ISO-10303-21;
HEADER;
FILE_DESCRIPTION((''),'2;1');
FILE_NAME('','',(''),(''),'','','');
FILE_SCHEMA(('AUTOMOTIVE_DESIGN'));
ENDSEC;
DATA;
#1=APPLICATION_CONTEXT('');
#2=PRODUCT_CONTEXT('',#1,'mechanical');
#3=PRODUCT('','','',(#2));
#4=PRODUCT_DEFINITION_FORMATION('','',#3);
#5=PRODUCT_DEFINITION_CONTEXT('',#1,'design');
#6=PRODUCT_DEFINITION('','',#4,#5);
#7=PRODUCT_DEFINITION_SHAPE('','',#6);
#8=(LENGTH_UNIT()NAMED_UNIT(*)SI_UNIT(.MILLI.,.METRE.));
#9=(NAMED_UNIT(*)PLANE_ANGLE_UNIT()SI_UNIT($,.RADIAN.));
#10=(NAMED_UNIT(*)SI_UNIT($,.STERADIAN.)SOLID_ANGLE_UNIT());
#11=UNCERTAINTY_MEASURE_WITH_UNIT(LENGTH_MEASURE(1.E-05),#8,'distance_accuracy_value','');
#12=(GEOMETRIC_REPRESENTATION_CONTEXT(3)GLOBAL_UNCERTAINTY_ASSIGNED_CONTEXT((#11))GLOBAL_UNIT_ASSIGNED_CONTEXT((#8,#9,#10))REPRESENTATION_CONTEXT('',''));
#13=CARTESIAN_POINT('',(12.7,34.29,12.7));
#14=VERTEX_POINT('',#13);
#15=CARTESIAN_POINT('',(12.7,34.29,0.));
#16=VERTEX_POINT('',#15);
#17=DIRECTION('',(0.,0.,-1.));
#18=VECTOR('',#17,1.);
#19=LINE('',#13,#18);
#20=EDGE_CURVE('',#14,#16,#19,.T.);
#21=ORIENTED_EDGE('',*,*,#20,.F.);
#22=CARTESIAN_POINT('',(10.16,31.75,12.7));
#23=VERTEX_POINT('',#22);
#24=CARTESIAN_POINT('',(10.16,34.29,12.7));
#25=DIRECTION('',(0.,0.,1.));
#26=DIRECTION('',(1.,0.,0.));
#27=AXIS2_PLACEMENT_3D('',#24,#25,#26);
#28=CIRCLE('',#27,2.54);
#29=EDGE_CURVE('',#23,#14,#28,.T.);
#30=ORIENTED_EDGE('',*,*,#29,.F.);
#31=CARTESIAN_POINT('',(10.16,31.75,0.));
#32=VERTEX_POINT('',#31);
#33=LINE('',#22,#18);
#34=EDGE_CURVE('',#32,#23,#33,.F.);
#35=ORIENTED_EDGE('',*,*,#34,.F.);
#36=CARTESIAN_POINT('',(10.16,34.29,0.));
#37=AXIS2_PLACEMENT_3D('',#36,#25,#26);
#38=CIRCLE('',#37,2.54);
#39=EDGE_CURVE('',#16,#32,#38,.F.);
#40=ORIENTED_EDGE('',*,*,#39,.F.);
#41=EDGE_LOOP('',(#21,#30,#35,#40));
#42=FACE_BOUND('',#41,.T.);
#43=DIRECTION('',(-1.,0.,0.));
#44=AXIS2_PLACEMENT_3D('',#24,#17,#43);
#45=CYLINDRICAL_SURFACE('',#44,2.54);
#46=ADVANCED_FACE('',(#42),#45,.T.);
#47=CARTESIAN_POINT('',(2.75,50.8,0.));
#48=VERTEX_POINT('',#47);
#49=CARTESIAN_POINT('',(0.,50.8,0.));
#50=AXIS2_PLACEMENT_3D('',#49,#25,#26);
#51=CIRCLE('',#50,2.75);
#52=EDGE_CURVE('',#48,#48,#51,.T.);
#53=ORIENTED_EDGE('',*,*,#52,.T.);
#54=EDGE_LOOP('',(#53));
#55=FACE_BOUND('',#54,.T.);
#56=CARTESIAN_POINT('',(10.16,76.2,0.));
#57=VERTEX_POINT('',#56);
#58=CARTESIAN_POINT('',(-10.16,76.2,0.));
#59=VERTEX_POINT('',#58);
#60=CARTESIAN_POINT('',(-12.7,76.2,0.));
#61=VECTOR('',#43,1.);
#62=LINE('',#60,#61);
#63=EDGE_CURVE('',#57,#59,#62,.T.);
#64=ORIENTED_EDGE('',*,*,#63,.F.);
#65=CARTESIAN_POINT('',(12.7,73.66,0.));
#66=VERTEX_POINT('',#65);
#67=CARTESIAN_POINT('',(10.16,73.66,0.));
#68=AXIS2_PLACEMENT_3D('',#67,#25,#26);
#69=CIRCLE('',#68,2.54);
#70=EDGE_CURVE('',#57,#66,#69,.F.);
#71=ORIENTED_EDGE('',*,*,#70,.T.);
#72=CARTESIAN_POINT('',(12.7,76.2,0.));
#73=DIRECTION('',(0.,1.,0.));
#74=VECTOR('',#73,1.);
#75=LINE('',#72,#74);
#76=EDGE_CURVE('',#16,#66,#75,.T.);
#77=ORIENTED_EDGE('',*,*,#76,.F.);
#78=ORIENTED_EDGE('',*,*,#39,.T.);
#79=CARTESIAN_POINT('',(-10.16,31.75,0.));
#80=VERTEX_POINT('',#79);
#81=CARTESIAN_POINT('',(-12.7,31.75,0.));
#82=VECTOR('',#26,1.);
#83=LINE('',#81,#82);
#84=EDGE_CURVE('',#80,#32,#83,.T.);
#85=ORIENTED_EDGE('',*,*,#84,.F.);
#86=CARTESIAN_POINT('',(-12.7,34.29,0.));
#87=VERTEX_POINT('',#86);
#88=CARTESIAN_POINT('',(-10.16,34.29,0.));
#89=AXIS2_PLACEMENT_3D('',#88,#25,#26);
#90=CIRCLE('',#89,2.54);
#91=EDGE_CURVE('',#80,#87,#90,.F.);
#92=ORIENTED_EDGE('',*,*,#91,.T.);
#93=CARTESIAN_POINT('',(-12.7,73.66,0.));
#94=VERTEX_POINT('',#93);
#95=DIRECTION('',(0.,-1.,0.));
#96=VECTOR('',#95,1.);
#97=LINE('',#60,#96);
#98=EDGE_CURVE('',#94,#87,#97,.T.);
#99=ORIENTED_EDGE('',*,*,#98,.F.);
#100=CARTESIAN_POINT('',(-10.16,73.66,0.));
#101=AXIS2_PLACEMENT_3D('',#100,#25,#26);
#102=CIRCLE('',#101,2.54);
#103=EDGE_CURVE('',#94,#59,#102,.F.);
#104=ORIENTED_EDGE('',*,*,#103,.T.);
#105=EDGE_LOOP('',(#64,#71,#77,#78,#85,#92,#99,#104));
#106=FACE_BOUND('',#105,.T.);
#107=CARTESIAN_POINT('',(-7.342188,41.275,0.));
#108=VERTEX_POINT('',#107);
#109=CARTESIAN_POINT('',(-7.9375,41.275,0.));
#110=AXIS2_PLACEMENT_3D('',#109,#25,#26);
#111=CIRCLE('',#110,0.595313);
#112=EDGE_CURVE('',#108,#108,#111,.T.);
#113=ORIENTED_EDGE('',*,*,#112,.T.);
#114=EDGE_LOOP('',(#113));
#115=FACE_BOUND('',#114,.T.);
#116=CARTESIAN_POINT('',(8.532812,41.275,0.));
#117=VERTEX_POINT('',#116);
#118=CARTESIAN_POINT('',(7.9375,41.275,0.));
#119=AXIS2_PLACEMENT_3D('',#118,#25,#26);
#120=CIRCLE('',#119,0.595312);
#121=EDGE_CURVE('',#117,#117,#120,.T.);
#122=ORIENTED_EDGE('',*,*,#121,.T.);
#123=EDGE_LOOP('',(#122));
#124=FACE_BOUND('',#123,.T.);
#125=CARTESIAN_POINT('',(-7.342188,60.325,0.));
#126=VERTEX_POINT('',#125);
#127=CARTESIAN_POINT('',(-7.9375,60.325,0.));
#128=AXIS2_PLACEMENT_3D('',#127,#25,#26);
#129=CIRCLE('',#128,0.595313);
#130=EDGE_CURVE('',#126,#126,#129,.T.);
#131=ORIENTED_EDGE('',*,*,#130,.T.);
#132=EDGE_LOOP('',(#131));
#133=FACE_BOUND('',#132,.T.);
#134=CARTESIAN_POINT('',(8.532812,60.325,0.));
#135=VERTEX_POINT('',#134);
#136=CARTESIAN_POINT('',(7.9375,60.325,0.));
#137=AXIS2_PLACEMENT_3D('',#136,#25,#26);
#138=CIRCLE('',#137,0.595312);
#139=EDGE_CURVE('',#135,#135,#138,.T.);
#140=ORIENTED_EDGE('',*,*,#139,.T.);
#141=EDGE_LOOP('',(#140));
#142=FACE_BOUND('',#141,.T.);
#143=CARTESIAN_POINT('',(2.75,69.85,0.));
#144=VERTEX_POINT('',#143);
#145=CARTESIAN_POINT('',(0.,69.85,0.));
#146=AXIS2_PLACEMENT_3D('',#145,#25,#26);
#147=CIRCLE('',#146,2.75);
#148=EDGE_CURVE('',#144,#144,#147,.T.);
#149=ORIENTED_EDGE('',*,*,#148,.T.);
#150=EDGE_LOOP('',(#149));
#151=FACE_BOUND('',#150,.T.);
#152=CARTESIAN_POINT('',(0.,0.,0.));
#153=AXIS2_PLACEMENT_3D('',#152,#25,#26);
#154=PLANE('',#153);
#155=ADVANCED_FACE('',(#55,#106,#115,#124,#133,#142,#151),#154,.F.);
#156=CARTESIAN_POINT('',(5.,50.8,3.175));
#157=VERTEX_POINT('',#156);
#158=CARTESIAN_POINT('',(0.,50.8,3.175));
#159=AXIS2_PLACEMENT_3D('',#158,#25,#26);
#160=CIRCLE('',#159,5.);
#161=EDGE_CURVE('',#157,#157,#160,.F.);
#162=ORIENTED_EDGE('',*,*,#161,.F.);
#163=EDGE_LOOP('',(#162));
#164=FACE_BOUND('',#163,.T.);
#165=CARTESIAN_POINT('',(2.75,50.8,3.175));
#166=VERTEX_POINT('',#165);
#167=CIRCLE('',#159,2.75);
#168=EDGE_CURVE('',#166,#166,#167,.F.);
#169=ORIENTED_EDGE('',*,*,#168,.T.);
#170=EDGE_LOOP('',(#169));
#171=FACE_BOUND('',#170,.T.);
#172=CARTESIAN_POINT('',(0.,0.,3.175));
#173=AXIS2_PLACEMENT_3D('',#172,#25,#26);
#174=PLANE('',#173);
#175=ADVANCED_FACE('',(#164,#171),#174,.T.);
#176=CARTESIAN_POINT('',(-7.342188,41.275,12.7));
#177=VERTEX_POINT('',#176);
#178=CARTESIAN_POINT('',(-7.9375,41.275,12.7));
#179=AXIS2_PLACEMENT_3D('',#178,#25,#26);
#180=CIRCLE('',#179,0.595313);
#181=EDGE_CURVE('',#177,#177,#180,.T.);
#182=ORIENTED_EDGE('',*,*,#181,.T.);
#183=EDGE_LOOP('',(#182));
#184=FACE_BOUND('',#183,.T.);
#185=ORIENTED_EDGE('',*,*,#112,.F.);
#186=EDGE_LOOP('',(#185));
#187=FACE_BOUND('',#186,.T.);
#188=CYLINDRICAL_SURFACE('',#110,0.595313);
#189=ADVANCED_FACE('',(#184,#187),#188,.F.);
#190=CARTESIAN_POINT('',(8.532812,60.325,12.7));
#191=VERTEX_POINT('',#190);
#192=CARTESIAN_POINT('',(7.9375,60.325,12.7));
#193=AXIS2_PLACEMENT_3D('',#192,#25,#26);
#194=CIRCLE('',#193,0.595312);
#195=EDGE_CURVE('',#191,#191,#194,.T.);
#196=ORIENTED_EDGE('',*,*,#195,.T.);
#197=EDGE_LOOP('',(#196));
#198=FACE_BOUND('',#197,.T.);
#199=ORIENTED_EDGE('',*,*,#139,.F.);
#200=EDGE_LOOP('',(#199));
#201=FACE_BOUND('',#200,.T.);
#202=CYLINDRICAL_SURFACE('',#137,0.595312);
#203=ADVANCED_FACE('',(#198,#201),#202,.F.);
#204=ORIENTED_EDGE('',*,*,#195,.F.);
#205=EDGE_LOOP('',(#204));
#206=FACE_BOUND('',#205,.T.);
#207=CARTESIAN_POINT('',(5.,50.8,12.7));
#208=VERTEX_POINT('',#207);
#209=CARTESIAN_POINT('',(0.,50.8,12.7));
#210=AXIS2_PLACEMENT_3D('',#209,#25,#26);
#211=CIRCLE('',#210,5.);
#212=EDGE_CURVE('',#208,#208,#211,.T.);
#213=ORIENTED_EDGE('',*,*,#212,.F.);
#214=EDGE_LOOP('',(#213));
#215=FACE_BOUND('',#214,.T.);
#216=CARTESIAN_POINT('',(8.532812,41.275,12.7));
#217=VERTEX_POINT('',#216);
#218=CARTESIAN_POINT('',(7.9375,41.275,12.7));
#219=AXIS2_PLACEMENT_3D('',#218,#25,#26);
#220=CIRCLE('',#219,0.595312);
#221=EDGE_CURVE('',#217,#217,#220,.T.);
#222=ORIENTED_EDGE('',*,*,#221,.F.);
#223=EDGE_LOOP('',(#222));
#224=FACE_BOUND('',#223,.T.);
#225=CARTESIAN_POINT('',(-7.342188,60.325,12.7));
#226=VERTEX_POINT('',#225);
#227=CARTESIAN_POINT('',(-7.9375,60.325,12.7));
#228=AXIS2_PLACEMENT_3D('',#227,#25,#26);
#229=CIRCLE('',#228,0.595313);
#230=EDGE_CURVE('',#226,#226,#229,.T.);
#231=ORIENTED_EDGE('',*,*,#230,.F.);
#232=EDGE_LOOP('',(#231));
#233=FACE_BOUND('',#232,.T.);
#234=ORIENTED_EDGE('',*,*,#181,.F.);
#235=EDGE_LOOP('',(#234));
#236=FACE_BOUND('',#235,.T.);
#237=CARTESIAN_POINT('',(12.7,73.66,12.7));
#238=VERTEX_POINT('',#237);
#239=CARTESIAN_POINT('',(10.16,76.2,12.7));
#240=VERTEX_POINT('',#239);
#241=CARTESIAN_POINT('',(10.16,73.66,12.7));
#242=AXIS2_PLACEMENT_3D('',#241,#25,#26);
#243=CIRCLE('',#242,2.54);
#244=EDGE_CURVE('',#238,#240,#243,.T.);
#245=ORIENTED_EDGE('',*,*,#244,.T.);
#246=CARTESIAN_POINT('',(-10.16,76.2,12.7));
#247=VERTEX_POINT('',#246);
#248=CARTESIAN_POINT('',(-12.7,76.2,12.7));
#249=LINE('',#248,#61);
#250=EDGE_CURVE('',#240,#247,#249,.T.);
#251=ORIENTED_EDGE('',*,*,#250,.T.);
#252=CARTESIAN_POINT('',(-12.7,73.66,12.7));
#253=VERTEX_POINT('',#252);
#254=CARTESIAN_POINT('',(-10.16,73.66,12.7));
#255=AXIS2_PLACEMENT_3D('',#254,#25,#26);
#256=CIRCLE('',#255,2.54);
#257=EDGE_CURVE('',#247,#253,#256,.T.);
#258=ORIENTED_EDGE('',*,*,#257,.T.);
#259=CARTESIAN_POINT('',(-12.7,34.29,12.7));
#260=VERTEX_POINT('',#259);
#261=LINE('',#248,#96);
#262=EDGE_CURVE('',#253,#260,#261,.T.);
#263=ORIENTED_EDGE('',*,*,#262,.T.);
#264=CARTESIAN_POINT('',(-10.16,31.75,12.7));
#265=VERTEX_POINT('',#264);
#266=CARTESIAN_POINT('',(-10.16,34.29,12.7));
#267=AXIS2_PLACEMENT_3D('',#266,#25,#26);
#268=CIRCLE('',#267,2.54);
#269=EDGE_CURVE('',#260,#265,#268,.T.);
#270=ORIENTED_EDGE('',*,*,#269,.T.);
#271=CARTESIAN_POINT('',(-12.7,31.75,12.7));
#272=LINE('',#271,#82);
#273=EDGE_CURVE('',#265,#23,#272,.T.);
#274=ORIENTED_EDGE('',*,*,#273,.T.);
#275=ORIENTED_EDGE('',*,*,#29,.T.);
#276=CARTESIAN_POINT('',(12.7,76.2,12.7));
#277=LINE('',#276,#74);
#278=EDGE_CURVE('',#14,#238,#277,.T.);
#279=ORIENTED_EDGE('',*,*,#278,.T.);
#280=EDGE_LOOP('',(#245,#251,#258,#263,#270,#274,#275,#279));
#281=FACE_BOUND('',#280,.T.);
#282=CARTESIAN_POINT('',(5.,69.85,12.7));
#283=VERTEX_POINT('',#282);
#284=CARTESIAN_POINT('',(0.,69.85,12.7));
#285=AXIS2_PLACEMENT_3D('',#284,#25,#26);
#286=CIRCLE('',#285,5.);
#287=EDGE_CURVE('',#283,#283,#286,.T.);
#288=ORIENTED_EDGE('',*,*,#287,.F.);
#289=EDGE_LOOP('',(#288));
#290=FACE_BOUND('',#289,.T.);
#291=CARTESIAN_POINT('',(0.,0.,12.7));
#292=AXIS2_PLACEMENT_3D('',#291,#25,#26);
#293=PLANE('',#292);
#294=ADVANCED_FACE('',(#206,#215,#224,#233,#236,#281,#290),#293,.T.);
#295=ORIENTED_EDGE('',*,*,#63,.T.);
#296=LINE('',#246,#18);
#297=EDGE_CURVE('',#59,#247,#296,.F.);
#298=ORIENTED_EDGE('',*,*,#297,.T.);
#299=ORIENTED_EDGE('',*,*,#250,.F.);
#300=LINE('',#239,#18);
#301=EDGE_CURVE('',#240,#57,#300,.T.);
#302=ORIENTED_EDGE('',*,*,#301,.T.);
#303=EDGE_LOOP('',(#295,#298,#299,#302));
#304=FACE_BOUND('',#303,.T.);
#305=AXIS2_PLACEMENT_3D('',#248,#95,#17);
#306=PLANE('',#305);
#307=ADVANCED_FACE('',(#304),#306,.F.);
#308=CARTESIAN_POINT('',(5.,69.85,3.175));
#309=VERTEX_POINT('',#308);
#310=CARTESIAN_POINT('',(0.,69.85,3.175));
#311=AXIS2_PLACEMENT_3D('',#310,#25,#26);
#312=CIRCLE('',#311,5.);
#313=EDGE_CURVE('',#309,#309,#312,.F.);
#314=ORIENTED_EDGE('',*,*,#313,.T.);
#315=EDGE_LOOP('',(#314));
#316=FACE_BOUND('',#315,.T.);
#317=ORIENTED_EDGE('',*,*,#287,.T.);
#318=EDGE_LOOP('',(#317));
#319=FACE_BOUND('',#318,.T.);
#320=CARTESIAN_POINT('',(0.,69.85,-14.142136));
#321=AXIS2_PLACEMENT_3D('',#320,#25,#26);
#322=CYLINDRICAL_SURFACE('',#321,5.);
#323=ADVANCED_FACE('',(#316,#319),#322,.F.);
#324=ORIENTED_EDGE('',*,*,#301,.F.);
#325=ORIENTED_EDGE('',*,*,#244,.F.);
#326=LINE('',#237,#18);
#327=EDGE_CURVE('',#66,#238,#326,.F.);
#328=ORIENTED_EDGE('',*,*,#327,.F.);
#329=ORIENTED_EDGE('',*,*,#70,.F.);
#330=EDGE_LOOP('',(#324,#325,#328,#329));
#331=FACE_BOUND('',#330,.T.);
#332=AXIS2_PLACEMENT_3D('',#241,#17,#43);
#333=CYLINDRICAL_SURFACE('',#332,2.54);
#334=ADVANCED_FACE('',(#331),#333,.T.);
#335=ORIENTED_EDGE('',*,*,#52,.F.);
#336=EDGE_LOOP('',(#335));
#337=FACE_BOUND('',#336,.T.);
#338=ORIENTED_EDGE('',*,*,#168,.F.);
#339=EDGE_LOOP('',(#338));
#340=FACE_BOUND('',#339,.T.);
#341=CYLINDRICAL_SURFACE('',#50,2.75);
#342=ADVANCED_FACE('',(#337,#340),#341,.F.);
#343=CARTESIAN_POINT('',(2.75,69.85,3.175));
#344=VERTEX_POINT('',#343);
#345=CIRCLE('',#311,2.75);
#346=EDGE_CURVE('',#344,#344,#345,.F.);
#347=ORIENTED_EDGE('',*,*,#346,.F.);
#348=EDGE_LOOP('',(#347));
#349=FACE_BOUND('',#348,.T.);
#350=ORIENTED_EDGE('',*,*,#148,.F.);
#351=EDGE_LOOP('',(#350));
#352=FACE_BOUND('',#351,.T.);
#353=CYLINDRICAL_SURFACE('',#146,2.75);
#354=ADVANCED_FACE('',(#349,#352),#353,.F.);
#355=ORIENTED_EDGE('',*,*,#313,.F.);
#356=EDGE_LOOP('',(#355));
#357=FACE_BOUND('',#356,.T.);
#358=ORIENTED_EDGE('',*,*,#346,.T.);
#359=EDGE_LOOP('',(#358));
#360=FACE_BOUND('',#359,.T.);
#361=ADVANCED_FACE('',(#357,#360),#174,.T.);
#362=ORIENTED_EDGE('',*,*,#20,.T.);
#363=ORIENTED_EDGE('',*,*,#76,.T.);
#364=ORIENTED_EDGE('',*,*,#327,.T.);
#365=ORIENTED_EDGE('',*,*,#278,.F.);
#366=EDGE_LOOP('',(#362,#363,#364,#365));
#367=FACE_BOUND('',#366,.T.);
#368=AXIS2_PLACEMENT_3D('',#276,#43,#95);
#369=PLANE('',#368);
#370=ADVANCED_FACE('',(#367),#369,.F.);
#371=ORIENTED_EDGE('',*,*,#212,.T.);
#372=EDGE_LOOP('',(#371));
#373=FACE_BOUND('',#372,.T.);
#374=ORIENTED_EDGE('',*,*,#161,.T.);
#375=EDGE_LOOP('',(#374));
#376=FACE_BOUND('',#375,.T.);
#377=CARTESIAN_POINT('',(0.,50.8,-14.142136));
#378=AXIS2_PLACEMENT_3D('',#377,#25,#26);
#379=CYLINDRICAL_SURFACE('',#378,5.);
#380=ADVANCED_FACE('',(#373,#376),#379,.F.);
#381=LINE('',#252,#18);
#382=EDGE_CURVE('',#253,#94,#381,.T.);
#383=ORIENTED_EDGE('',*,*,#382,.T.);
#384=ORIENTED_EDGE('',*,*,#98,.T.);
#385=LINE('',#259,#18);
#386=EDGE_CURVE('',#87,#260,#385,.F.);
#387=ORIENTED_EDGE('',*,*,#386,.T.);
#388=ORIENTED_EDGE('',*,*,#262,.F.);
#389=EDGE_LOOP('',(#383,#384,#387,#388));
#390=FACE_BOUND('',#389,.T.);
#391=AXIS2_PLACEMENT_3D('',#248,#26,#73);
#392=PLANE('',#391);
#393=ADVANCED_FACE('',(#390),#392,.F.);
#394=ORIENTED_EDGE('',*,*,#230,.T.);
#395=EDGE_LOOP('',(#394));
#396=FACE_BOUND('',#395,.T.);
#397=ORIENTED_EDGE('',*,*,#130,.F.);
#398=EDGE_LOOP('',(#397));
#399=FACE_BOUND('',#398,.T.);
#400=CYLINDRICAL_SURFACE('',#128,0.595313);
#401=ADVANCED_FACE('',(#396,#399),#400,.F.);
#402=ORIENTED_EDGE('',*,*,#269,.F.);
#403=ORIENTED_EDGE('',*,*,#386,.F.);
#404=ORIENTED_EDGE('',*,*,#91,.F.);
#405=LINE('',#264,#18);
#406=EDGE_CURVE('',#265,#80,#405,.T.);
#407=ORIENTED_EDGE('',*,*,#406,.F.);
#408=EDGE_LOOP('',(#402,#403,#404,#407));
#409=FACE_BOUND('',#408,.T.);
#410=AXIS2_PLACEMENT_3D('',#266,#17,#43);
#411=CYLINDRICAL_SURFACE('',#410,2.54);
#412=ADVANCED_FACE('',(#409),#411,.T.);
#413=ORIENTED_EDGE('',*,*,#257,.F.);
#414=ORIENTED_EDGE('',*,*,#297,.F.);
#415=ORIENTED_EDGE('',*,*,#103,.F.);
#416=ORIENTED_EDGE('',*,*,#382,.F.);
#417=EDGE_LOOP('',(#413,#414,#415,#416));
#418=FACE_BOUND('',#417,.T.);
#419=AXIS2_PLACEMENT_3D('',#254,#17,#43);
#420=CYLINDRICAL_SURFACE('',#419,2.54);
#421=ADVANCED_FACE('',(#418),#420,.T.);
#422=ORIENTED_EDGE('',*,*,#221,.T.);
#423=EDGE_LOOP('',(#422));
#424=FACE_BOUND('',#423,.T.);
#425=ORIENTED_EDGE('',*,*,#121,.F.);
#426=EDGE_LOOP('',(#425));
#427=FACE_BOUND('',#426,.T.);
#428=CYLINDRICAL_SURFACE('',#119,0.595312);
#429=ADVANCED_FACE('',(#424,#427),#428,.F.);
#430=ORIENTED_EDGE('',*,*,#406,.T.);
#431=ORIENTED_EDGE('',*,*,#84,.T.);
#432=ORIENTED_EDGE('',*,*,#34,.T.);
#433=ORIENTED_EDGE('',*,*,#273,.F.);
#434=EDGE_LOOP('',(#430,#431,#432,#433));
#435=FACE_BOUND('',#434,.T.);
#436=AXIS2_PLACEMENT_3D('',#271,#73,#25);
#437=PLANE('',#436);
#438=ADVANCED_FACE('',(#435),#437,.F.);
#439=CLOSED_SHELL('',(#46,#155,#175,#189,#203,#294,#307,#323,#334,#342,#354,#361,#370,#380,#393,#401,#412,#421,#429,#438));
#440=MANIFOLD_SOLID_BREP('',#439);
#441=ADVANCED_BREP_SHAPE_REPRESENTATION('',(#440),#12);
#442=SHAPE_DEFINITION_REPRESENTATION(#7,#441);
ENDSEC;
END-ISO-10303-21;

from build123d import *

# Parameters (mm, degrees)
SKETCH1_W           = 25.4
SKETCH1_H           = 44.45
BOSS_EXTRUDE1_DEPTH = 12.7
SKETCH2_R           = 2.75
CUT_EXTRUDE1_DEPTH  = 13.7
SKETCH3_R           = 5
CUT_EXTRUDE2_DEPTH  = 9.525
SKETCH5_R           = 0.5953125
CUT_EXTRUDE3_DEPTH  = 13.7
FILLET1_R           = 2.54


with BuildPart() as part:
    # Sketch1 → Boss-Extrude1 (new body)
    with BuildSketch(Plane.XY):
        with Locations((0, 53.975)):
            Rectangle(SKETCH1_W, SKETCH1_H)
    extrude(amount=BOSS_EXTRUDE1_DEPTH)

    # Sketch2 → Cut-Extrude1 (cut, through all)
    with BuildSketch(Plane.XY.offset(12.7)):
        with Locations((0, 50.8)):
            Circle(SKETCH2_R)
        with Locations((0, 69.85)):
            Circle(SKETCH2_R)
    extrude(amount=-CUT_EXTRUDE1_DEPTH, mode=Mode.SUBTRACT)

    # Sketch3 → Cut-Extrude2 (cut)
    with BuildSketch(Plane.XY.offset(12.7)):
        with Locations((0, 50.8)):
            Circle(SKETCH3_R)
        with Locations((0, 69.85)):
            Circle(SKETCH3_R)
    extrude(amount=-CUT_EXTRUDE2_DEPTH, mode=Mode.SUBTRACT)

    # Sketch5 → Cut-Extrude3 (cut, through all)
    with BuildSketch(Plane.XY.offset(12.7)):
        with Locations((7.9375, 41.275)):
            Circle(SKETCH5_R)
        with Locations((-7.9375, 41.275)):
            Circle(SKETCH5_R)
        with Locations((-7.9375, 60.325)):
            Circle(SKETCH5_R)
        with Locations((7.9375, 60.325)):
            Circle(SKETCH5_R)
    extrude(amount=-CUT_EXTRUDE3_DEPTH, mode=Mode.SUBTRACT)

    # Fillet1
    fillet1_edges = [part.edges().sort_by_distance(p)[0] for p in [
        (-12.7, 76.2, 6.35),
        (12.7, 76.2, 6.35),
        (12.7, 31.75, 6.35),
        (-12.7, 31.75, 6.35),
    ]]
    fillet(fillet1_edges, radius=FILLET1_R)


solid = part.part
